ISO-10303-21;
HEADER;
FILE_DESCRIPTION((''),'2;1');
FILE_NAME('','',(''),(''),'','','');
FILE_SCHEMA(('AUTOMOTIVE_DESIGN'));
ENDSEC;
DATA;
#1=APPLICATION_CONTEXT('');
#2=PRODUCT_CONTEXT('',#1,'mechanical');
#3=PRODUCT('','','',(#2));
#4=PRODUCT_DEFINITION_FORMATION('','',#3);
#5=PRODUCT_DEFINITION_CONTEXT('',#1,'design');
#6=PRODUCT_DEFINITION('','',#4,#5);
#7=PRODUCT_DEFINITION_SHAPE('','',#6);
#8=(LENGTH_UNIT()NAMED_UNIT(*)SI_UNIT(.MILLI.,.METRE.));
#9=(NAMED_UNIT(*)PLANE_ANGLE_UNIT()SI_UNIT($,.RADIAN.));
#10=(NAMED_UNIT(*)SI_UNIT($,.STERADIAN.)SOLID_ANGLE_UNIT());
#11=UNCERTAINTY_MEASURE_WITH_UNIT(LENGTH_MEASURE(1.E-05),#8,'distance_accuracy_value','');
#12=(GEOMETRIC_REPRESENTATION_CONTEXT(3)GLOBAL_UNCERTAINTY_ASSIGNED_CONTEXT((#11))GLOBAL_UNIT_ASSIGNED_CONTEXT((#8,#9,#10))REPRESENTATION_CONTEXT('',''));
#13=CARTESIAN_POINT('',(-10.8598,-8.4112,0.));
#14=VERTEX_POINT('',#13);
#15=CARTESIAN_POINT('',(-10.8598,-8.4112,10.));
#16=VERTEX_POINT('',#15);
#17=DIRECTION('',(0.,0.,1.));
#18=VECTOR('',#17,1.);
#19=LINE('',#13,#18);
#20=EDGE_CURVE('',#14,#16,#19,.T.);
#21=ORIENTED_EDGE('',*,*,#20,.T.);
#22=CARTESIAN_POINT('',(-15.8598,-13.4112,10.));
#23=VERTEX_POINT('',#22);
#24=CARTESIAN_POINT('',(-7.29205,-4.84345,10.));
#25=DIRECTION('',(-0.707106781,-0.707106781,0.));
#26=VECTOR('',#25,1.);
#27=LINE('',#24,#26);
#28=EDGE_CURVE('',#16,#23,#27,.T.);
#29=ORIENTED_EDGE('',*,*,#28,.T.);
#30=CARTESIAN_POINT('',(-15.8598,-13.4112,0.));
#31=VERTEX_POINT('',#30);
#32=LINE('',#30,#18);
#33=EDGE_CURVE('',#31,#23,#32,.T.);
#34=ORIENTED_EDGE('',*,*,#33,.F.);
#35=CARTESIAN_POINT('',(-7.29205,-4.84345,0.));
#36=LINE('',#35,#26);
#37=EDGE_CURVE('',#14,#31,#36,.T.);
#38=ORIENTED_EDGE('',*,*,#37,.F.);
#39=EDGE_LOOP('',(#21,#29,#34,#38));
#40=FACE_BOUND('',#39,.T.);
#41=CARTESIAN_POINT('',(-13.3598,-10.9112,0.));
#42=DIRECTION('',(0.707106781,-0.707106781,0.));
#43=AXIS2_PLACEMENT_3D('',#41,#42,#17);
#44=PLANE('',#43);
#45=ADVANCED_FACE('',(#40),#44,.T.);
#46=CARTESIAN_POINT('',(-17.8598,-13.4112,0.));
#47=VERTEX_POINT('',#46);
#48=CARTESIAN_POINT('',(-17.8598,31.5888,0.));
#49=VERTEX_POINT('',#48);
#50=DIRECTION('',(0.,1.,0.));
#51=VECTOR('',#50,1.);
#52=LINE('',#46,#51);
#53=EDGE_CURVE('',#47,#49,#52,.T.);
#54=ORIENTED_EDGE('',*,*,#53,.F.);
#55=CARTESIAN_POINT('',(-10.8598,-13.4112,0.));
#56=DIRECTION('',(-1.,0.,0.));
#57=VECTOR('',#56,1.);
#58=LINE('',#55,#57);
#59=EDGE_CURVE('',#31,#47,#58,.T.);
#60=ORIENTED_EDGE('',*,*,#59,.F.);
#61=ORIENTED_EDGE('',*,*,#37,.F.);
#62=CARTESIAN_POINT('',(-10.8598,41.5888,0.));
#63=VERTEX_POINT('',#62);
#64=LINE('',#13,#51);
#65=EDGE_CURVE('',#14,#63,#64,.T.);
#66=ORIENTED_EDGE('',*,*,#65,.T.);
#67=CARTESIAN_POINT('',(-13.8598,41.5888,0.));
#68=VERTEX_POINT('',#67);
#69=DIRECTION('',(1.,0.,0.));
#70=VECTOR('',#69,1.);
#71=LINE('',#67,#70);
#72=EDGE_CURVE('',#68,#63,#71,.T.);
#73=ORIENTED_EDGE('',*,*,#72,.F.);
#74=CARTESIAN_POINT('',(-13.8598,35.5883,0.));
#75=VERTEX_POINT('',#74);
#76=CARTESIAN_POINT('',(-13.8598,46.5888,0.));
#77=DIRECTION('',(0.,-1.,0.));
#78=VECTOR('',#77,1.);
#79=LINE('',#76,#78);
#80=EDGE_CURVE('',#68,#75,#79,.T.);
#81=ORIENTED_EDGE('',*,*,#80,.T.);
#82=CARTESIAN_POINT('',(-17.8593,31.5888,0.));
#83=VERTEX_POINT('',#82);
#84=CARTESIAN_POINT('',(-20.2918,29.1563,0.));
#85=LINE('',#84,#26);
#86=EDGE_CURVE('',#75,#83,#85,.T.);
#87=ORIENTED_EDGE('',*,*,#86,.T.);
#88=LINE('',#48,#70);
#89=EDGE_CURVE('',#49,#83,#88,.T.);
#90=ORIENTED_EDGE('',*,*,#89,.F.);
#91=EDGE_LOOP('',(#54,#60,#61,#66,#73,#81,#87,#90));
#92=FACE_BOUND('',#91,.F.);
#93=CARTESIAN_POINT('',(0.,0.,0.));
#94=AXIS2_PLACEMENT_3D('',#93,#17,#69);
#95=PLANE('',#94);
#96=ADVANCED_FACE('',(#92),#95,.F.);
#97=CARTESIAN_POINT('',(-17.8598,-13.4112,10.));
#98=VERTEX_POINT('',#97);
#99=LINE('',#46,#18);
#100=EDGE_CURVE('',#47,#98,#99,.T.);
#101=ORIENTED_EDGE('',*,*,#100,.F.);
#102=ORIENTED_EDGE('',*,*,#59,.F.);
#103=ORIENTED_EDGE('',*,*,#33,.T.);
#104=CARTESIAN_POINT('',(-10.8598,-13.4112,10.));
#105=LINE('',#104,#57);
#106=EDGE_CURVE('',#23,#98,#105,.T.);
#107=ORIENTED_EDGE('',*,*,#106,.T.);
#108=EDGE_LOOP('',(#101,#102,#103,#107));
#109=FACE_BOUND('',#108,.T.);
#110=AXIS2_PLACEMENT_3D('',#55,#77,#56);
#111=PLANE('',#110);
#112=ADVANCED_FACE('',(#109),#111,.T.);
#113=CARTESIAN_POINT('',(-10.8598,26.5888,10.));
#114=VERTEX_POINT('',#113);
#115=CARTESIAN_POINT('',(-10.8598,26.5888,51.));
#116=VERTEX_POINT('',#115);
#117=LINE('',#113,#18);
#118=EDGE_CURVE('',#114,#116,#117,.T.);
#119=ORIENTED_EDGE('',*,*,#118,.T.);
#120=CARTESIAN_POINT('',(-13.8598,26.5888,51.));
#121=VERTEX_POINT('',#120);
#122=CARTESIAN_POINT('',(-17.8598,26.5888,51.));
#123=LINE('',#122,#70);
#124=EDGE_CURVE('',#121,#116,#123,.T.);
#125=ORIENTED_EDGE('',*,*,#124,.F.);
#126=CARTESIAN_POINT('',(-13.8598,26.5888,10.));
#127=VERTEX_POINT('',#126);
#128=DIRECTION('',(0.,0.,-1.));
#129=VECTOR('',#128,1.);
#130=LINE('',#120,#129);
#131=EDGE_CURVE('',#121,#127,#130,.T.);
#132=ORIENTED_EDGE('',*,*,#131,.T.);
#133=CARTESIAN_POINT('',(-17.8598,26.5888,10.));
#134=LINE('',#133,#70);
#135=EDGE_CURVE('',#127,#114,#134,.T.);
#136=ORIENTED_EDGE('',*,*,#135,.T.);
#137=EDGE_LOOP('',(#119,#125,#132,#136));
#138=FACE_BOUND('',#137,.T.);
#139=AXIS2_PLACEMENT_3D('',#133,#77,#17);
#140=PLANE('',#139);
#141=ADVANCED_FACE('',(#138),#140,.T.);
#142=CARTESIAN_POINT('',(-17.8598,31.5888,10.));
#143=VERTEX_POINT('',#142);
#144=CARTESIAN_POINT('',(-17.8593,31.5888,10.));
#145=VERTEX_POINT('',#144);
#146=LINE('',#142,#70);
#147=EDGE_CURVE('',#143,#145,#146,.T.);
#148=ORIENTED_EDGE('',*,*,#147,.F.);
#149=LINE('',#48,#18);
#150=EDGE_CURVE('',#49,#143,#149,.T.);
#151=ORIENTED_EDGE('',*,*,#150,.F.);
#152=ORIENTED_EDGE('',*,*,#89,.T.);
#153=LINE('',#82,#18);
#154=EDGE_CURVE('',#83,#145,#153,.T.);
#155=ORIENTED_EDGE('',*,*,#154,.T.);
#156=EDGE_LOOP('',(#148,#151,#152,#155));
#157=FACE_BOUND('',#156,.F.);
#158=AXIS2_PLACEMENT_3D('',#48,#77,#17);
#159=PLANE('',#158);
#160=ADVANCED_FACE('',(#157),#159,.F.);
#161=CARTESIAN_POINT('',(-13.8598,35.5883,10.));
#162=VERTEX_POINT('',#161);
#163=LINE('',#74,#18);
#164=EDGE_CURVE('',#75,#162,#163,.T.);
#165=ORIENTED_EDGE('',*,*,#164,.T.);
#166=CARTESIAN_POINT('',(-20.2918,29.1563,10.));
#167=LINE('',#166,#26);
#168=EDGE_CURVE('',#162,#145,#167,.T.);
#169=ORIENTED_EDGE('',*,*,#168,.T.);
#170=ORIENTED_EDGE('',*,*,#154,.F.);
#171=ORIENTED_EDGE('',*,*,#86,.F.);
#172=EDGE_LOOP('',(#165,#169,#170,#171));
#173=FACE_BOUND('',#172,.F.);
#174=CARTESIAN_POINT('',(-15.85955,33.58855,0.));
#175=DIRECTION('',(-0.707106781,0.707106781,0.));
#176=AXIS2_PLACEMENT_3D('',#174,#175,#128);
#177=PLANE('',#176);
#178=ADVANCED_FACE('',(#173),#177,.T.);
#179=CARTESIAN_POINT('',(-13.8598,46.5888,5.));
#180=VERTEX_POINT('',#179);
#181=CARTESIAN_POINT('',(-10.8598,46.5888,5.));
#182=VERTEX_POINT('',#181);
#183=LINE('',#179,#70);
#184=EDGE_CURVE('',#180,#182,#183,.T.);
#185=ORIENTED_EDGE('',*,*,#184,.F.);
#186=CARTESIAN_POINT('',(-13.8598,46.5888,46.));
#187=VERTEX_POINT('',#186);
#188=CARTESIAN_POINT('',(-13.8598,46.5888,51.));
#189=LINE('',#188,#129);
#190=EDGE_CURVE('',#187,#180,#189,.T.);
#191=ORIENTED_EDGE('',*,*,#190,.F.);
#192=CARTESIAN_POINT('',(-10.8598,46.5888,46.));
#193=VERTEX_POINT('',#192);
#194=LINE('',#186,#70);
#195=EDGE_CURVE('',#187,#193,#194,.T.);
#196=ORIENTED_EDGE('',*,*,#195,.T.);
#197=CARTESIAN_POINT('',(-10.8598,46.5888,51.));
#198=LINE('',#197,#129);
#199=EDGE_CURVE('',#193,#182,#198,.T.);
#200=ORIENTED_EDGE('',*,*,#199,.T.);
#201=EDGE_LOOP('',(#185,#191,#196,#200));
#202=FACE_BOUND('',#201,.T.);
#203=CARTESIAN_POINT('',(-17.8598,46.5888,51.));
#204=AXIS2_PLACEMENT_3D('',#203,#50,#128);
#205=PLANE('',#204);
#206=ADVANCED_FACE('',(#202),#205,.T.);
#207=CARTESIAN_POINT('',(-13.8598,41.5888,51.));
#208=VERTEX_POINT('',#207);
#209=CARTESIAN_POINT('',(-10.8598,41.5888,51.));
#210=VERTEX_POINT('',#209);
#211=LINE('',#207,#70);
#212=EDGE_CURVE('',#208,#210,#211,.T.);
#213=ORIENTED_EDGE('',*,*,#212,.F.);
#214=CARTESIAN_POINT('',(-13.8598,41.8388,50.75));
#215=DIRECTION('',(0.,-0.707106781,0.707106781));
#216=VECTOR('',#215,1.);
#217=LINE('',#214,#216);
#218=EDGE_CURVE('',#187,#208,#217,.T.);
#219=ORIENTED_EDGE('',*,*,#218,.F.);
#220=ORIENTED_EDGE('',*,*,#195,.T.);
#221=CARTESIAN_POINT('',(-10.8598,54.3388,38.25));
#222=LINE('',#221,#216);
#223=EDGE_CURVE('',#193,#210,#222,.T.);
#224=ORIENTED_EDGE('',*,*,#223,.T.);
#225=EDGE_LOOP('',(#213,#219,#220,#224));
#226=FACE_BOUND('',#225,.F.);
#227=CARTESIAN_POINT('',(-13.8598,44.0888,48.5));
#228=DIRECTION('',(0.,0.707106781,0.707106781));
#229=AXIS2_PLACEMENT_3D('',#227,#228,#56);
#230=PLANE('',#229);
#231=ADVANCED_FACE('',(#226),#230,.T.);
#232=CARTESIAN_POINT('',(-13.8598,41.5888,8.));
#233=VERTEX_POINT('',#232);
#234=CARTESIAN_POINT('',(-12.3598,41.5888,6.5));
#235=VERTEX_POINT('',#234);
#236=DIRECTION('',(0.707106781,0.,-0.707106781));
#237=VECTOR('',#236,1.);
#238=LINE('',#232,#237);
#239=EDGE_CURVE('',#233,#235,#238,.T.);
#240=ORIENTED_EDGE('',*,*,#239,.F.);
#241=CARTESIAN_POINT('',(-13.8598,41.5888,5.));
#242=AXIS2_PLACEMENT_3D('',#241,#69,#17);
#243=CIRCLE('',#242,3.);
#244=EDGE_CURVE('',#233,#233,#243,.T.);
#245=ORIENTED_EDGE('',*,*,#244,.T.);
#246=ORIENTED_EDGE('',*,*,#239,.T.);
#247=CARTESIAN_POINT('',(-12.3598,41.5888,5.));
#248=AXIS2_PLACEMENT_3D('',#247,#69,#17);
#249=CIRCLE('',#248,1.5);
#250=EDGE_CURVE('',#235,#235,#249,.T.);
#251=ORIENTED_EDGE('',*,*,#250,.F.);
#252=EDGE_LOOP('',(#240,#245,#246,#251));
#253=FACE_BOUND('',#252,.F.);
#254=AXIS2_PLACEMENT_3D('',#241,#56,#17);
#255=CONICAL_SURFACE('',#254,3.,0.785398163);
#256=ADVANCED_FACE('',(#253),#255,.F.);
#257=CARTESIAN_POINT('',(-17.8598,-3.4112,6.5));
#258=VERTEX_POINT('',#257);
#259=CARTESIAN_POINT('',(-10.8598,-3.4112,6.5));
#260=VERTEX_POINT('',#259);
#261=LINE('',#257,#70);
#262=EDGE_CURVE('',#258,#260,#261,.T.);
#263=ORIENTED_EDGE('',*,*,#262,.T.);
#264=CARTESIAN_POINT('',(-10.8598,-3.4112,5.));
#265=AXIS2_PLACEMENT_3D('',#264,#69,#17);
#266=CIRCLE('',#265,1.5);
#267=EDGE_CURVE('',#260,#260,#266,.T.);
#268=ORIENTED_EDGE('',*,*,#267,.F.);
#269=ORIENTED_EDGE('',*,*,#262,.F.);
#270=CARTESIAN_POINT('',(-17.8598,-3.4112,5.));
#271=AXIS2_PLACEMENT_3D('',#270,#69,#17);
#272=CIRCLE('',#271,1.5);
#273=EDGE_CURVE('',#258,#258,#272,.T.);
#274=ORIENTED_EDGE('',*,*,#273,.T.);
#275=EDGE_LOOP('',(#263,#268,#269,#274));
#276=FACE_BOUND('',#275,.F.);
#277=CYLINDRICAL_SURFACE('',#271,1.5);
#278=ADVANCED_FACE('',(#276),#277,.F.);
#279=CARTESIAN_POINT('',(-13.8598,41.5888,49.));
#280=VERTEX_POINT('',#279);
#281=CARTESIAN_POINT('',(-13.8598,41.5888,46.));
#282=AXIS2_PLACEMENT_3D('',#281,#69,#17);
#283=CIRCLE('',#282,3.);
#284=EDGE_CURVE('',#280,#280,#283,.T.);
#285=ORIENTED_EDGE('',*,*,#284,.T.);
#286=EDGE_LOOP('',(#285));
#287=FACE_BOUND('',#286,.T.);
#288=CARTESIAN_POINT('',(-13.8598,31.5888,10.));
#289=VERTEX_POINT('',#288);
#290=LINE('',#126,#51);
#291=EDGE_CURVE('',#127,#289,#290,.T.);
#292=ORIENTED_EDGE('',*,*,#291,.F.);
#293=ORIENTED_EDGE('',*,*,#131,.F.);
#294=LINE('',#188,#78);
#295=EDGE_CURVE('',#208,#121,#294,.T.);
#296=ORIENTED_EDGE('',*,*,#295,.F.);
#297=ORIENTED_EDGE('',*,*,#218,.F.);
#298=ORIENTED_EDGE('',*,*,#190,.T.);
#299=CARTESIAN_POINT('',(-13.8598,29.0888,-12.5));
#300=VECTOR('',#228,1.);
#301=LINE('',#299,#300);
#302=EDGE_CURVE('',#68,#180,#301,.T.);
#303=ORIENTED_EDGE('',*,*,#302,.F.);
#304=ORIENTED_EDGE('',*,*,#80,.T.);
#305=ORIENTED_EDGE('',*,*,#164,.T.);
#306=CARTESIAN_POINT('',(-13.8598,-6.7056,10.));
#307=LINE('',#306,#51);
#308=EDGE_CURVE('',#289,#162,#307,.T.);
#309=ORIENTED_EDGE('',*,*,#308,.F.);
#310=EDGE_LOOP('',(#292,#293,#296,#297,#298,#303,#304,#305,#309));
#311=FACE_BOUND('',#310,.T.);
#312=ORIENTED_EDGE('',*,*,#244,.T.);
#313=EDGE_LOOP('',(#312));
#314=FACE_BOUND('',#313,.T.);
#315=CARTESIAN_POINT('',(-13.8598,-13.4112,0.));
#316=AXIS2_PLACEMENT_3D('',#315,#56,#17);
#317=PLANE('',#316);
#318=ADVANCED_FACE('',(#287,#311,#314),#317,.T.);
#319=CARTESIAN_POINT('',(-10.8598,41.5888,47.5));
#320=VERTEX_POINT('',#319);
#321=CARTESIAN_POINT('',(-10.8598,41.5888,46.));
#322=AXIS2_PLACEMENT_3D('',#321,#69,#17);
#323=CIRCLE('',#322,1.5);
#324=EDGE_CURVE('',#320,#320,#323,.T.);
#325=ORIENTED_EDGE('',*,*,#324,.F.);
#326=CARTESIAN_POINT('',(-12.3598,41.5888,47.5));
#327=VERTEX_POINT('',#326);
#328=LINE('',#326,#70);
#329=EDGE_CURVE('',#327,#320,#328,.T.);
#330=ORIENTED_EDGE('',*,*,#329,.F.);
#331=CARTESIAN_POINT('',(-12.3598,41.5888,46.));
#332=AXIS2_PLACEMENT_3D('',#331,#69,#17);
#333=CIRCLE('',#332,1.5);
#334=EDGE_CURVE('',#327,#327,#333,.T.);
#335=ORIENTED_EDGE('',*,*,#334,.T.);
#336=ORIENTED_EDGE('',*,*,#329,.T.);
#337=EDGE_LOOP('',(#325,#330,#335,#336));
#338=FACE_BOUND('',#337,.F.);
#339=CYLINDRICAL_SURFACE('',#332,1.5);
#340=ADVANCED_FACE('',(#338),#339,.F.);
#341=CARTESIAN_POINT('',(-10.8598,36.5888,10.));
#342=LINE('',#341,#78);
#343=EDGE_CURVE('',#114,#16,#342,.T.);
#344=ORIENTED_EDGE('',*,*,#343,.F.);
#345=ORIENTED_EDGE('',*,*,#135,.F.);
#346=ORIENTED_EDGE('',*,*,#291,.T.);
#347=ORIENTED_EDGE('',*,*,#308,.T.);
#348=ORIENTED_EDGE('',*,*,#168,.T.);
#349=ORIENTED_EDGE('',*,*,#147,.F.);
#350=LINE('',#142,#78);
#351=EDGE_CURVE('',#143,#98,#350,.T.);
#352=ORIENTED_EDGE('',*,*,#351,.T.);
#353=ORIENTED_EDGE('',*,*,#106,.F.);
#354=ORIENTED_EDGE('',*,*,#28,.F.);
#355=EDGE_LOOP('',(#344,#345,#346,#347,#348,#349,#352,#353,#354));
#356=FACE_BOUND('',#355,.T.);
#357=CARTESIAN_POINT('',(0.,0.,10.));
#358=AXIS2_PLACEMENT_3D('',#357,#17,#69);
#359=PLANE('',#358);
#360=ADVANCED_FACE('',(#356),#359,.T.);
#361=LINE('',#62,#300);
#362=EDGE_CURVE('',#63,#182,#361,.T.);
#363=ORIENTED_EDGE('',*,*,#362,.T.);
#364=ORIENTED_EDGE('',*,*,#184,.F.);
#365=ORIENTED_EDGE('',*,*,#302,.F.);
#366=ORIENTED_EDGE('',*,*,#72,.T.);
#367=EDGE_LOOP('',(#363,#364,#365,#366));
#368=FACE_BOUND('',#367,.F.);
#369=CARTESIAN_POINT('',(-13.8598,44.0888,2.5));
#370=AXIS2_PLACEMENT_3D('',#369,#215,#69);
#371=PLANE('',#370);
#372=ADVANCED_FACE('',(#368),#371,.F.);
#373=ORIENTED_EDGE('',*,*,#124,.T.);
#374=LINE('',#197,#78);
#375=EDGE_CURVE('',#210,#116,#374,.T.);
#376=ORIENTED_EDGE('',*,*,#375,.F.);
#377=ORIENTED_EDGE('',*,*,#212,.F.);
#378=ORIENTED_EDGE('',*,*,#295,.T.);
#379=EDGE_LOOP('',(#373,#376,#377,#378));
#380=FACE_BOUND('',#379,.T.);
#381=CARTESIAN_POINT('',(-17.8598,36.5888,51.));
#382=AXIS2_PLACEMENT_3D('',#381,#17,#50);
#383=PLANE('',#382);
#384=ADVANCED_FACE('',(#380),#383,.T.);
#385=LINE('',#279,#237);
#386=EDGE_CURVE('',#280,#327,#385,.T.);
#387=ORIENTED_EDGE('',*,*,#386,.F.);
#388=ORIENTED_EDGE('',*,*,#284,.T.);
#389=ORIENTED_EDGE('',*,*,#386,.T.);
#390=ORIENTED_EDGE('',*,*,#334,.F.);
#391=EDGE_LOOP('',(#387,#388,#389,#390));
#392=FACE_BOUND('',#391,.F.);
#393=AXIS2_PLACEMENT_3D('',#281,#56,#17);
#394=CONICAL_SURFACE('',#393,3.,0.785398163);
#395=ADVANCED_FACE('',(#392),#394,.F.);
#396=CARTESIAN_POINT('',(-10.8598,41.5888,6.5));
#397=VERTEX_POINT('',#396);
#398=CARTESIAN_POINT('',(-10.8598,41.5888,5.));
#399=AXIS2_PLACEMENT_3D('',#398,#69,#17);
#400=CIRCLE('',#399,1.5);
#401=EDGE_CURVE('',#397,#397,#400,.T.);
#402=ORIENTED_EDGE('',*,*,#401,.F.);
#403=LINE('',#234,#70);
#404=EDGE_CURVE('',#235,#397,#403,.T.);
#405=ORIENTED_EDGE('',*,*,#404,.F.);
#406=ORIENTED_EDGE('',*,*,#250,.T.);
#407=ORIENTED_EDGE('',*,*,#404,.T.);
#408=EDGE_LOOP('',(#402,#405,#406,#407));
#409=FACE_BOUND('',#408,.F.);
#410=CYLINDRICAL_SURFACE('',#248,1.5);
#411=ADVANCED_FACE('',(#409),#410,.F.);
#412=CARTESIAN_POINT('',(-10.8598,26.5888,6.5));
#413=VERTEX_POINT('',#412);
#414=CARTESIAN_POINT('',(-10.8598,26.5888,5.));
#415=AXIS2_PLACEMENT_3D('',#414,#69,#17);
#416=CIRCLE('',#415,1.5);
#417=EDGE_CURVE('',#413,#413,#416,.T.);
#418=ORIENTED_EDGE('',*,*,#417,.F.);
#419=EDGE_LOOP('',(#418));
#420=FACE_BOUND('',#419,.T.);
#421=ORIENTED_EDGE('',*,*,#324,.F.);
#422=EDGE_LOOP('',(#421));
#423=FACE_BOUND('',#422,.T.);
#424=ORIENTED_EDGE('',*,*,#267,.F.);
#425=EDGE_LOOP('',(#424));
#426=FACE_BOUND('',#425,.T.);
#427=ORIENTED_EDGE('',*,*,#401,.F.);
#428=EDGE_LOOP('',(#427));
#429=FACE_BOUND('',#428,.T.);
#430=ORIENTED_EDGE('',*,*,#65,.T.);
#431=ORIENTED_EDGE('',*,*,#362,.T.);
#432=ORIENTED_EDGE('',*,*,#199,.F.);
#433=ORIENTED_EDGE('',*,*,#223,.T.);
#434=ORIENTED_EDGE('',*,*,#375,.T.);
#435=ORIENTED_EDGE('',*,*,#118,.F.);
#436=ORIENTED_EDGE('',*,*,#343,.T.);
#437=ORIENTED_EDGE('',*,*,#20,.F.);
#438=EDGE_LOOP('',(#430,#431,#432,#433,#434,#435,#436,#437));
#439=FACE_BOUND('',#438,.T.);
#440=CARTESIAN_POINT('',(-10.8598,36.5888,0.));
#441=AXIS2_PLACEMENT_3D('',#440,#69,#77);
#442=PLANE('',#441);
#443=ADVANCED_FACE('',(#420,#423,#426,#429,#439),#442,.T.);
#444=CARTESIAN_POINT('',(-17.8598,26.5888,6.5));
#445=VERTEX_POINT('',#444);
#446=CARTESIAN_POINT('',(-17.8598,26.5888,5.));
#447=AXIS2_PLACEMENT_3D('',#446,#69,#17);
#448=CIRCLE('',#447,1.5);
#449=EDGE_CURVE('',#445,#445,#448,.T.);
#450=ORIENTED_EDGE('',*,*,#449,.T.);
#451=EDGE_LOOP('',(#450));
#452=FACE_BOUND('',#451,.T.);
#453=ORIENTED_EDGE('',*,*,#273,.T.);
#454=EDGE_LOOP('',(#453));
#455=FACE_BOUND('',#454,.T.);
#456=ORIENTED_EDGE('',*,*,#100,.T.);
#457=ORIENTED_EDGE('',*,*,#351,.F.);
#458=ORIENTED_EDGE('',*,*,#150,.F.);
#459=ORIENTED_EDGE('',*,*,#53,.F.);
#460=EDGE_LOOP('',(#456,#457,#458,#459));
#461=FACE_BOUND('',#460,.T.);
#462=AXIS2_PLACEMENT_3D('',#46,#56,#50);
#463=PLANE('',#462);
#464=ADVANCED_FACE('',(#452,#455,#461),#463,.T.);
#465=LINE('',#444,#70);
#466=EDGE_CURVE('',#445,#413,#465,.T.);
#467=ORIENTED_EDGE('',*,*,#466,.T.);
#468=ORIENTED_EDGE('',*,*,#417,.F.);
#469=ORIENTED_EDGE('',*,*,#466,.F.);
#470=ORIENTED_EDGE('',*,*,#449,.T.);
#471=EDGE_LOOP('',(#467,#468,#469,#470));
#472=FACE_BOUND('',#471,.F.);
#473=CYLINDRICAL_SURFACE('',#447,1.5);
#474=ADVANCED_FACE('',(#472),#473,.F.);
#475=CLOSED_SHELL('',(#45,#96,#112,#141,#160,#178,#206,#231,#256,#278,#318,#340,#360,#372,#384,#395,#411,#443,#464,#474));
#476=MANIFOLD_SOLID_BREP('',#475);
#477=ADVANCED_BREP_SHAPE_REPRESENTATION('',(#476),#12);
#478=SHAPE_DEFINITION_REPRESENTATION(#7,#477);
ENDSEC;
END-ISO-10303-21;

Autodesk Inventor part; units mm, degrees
ref_plane "YZ Plane" through (0, 0, 0) normal (1, 0, 0) x (0, 1, 0)
ref_plane "XZ Plane" through (0, 0, 0) normal (0, 1, 0) x (-1, 0, 0)
ref_plane "XY Plane" through (0, 0, 0) normal (0, 0, 1) x (1, 0, 0)
sketch "Sketch1" plane through (0, 0, 0) normal (0, 0, 1) x (1, 0, 0)
  line L0 (-17.8598, 36.5888) -> (-10.8598, 36.5888)
  line L1 (-10.8598, 36.5888) -> (-10.8598, -13.4112)
  line L2 (-10.8598, -13.4112) -> (-17.8598, -13.4112)
  line L3 (-17.8598, -13.4112) -> (-17.8598, 36.5888)
  point P0 (0, 0)
  dimension "d0" = 7
  dimension "d1" = 50
extrude "Extrusion1" add sketch "Sketch1" along normal blind 10
sketch "Sketch2" plane through (-17.8598, -13.4112, 0) normal (-1, 0, 0) x (0, 0, 1)
  line L0 (0, 0) -> (10, 0) projected
  line L1 (0, 50) -> (0, 0) projected
  point P0 (0, 13.4112)
  point P1 (5, 10)
  point P2 (5, 40)
  dimension "d4" = 10
  dimension "d5" = 5
  dimension "d6" = 5
  dimension "d7" = 30
hole "Hole1" at (-17.8598, -3.4112, 5) at (-17.8598, 26.5888, 5) direction (1, 0, 0) diameter 3 depth 7 tip angle 118
chamfer "Chamfer1" distance 5 angle 45 1 edges at (-10.8598, -13.4112, 5)
sketch "Sketch3" plane through (-17.8598, -13.4112, 0) normal (-1, 0, 0) x (0, 0, 1)
  line L0 (0, 50) -> (51, 50)
  line L1 (51, 50) -> (51, 60)
  line L2 (51, 60) -> (0, 60)
  line L3 (0, 60) -> (0, 50)
  line L4 (10, 50) -> (10, 0) projected
  line L5 (10, 40) -> (51, 40)
  line L6 (51, 40) -> (51, 50)
  line L7 (51, 50) -> (10, 50)
  line L8 (10, 50) -> (10, 40)
  point P0 (0, 13.4112)
  dimension "d18" = 51
  dimension "d19" = 10
  dimension "d20" = 10
extrude "Extrusion2" add sketch "Sketch3" against normal blind 7
sketch "Sketch4" plane through (-17.8598, -13.4112, 0) normal (-1, 0, 0) x (0, 0, 1)
  line L0 (0, 60) -> (51, 60) projected
  line L1 (51, 40) -> (10, 40)
  line L2 (10, 40) -> (10, 60)
  line L3 (10, 60) -> (51, 60)
  line L4 (51, 60) -> (51, 40)
  line L5 (10, 40) -> (10, 0) projected
  line L6 (0, 60) -> (0, 5) projected
  line L7 (10, 60) -> (0, 60)
  line L8 (0, 60) -> (0, 45)
  line L9 (0, 45) -> (10, 45)
  line L10 (10, 45) -> (10, 60)
  point P0 (0, 13.4112)
  dimension "d23" = 15
extrude "Extrusion3" cut sketch "Sketch4" against normal blind 4
sketch "Sketch5" plane through (-13.8598, -13.4112, 0) normal (-1, 0, 0) x (0, 0, 1)
  line L0 (51, 60) -> (51, 40) projected
  line L1 (0, 45) -> (0, 60) projected
  line L2 (0, 60) -> (51, 60) projected
  point P0 (0, 13.4112)
  point P1 (5, 55)
  point P2 (46, 55)
  dimension "d26" = 5
  dimension "d27" = 5
  dimension "d28" = 5
  dimension "d29" = 5
hole "Hole2" at (-13.8598, 41.5888, 5) at (-13.8598, 41.5888, 46) direction (1, 0, 0) diameter 3 depth 7 tip angle 118 countersink diameter 6 countersink angle 90
chamfer "Chamfer2" distance 5 angle 45 2 edges at (-12.3598, 46.5888, 51) (-12.3598, 46.5888, 0)
chamfer "Chamfer3" distance 4 angle 45 1 edges at (-13.8598, 31.5888, 5)
sketch "Sketch6" plane through (-13.8598, -13.4112, 0) normal (-1, 0, 0) x (0, 0, 1)
  circle A0 centre (46, 55) radius 1.5 projected
  circle A1 centre (5, 55) radius 1.5 projected
  point P0 (0, 13.4112)
  dimension "d43" = 41
sketch "Sketch7" plane through (-13.8598, -13.4112, 0) normal (-1, 0, 0) x (0, 0, 1)
  line L0 (0, 49) -> (0, 55) projected
  circle A0 centre (5, 55) radius 1.5 projected
  point P0 (0, 13.4112)
  dimension "d44" = 5
properties part number "Z-stepper connector"
